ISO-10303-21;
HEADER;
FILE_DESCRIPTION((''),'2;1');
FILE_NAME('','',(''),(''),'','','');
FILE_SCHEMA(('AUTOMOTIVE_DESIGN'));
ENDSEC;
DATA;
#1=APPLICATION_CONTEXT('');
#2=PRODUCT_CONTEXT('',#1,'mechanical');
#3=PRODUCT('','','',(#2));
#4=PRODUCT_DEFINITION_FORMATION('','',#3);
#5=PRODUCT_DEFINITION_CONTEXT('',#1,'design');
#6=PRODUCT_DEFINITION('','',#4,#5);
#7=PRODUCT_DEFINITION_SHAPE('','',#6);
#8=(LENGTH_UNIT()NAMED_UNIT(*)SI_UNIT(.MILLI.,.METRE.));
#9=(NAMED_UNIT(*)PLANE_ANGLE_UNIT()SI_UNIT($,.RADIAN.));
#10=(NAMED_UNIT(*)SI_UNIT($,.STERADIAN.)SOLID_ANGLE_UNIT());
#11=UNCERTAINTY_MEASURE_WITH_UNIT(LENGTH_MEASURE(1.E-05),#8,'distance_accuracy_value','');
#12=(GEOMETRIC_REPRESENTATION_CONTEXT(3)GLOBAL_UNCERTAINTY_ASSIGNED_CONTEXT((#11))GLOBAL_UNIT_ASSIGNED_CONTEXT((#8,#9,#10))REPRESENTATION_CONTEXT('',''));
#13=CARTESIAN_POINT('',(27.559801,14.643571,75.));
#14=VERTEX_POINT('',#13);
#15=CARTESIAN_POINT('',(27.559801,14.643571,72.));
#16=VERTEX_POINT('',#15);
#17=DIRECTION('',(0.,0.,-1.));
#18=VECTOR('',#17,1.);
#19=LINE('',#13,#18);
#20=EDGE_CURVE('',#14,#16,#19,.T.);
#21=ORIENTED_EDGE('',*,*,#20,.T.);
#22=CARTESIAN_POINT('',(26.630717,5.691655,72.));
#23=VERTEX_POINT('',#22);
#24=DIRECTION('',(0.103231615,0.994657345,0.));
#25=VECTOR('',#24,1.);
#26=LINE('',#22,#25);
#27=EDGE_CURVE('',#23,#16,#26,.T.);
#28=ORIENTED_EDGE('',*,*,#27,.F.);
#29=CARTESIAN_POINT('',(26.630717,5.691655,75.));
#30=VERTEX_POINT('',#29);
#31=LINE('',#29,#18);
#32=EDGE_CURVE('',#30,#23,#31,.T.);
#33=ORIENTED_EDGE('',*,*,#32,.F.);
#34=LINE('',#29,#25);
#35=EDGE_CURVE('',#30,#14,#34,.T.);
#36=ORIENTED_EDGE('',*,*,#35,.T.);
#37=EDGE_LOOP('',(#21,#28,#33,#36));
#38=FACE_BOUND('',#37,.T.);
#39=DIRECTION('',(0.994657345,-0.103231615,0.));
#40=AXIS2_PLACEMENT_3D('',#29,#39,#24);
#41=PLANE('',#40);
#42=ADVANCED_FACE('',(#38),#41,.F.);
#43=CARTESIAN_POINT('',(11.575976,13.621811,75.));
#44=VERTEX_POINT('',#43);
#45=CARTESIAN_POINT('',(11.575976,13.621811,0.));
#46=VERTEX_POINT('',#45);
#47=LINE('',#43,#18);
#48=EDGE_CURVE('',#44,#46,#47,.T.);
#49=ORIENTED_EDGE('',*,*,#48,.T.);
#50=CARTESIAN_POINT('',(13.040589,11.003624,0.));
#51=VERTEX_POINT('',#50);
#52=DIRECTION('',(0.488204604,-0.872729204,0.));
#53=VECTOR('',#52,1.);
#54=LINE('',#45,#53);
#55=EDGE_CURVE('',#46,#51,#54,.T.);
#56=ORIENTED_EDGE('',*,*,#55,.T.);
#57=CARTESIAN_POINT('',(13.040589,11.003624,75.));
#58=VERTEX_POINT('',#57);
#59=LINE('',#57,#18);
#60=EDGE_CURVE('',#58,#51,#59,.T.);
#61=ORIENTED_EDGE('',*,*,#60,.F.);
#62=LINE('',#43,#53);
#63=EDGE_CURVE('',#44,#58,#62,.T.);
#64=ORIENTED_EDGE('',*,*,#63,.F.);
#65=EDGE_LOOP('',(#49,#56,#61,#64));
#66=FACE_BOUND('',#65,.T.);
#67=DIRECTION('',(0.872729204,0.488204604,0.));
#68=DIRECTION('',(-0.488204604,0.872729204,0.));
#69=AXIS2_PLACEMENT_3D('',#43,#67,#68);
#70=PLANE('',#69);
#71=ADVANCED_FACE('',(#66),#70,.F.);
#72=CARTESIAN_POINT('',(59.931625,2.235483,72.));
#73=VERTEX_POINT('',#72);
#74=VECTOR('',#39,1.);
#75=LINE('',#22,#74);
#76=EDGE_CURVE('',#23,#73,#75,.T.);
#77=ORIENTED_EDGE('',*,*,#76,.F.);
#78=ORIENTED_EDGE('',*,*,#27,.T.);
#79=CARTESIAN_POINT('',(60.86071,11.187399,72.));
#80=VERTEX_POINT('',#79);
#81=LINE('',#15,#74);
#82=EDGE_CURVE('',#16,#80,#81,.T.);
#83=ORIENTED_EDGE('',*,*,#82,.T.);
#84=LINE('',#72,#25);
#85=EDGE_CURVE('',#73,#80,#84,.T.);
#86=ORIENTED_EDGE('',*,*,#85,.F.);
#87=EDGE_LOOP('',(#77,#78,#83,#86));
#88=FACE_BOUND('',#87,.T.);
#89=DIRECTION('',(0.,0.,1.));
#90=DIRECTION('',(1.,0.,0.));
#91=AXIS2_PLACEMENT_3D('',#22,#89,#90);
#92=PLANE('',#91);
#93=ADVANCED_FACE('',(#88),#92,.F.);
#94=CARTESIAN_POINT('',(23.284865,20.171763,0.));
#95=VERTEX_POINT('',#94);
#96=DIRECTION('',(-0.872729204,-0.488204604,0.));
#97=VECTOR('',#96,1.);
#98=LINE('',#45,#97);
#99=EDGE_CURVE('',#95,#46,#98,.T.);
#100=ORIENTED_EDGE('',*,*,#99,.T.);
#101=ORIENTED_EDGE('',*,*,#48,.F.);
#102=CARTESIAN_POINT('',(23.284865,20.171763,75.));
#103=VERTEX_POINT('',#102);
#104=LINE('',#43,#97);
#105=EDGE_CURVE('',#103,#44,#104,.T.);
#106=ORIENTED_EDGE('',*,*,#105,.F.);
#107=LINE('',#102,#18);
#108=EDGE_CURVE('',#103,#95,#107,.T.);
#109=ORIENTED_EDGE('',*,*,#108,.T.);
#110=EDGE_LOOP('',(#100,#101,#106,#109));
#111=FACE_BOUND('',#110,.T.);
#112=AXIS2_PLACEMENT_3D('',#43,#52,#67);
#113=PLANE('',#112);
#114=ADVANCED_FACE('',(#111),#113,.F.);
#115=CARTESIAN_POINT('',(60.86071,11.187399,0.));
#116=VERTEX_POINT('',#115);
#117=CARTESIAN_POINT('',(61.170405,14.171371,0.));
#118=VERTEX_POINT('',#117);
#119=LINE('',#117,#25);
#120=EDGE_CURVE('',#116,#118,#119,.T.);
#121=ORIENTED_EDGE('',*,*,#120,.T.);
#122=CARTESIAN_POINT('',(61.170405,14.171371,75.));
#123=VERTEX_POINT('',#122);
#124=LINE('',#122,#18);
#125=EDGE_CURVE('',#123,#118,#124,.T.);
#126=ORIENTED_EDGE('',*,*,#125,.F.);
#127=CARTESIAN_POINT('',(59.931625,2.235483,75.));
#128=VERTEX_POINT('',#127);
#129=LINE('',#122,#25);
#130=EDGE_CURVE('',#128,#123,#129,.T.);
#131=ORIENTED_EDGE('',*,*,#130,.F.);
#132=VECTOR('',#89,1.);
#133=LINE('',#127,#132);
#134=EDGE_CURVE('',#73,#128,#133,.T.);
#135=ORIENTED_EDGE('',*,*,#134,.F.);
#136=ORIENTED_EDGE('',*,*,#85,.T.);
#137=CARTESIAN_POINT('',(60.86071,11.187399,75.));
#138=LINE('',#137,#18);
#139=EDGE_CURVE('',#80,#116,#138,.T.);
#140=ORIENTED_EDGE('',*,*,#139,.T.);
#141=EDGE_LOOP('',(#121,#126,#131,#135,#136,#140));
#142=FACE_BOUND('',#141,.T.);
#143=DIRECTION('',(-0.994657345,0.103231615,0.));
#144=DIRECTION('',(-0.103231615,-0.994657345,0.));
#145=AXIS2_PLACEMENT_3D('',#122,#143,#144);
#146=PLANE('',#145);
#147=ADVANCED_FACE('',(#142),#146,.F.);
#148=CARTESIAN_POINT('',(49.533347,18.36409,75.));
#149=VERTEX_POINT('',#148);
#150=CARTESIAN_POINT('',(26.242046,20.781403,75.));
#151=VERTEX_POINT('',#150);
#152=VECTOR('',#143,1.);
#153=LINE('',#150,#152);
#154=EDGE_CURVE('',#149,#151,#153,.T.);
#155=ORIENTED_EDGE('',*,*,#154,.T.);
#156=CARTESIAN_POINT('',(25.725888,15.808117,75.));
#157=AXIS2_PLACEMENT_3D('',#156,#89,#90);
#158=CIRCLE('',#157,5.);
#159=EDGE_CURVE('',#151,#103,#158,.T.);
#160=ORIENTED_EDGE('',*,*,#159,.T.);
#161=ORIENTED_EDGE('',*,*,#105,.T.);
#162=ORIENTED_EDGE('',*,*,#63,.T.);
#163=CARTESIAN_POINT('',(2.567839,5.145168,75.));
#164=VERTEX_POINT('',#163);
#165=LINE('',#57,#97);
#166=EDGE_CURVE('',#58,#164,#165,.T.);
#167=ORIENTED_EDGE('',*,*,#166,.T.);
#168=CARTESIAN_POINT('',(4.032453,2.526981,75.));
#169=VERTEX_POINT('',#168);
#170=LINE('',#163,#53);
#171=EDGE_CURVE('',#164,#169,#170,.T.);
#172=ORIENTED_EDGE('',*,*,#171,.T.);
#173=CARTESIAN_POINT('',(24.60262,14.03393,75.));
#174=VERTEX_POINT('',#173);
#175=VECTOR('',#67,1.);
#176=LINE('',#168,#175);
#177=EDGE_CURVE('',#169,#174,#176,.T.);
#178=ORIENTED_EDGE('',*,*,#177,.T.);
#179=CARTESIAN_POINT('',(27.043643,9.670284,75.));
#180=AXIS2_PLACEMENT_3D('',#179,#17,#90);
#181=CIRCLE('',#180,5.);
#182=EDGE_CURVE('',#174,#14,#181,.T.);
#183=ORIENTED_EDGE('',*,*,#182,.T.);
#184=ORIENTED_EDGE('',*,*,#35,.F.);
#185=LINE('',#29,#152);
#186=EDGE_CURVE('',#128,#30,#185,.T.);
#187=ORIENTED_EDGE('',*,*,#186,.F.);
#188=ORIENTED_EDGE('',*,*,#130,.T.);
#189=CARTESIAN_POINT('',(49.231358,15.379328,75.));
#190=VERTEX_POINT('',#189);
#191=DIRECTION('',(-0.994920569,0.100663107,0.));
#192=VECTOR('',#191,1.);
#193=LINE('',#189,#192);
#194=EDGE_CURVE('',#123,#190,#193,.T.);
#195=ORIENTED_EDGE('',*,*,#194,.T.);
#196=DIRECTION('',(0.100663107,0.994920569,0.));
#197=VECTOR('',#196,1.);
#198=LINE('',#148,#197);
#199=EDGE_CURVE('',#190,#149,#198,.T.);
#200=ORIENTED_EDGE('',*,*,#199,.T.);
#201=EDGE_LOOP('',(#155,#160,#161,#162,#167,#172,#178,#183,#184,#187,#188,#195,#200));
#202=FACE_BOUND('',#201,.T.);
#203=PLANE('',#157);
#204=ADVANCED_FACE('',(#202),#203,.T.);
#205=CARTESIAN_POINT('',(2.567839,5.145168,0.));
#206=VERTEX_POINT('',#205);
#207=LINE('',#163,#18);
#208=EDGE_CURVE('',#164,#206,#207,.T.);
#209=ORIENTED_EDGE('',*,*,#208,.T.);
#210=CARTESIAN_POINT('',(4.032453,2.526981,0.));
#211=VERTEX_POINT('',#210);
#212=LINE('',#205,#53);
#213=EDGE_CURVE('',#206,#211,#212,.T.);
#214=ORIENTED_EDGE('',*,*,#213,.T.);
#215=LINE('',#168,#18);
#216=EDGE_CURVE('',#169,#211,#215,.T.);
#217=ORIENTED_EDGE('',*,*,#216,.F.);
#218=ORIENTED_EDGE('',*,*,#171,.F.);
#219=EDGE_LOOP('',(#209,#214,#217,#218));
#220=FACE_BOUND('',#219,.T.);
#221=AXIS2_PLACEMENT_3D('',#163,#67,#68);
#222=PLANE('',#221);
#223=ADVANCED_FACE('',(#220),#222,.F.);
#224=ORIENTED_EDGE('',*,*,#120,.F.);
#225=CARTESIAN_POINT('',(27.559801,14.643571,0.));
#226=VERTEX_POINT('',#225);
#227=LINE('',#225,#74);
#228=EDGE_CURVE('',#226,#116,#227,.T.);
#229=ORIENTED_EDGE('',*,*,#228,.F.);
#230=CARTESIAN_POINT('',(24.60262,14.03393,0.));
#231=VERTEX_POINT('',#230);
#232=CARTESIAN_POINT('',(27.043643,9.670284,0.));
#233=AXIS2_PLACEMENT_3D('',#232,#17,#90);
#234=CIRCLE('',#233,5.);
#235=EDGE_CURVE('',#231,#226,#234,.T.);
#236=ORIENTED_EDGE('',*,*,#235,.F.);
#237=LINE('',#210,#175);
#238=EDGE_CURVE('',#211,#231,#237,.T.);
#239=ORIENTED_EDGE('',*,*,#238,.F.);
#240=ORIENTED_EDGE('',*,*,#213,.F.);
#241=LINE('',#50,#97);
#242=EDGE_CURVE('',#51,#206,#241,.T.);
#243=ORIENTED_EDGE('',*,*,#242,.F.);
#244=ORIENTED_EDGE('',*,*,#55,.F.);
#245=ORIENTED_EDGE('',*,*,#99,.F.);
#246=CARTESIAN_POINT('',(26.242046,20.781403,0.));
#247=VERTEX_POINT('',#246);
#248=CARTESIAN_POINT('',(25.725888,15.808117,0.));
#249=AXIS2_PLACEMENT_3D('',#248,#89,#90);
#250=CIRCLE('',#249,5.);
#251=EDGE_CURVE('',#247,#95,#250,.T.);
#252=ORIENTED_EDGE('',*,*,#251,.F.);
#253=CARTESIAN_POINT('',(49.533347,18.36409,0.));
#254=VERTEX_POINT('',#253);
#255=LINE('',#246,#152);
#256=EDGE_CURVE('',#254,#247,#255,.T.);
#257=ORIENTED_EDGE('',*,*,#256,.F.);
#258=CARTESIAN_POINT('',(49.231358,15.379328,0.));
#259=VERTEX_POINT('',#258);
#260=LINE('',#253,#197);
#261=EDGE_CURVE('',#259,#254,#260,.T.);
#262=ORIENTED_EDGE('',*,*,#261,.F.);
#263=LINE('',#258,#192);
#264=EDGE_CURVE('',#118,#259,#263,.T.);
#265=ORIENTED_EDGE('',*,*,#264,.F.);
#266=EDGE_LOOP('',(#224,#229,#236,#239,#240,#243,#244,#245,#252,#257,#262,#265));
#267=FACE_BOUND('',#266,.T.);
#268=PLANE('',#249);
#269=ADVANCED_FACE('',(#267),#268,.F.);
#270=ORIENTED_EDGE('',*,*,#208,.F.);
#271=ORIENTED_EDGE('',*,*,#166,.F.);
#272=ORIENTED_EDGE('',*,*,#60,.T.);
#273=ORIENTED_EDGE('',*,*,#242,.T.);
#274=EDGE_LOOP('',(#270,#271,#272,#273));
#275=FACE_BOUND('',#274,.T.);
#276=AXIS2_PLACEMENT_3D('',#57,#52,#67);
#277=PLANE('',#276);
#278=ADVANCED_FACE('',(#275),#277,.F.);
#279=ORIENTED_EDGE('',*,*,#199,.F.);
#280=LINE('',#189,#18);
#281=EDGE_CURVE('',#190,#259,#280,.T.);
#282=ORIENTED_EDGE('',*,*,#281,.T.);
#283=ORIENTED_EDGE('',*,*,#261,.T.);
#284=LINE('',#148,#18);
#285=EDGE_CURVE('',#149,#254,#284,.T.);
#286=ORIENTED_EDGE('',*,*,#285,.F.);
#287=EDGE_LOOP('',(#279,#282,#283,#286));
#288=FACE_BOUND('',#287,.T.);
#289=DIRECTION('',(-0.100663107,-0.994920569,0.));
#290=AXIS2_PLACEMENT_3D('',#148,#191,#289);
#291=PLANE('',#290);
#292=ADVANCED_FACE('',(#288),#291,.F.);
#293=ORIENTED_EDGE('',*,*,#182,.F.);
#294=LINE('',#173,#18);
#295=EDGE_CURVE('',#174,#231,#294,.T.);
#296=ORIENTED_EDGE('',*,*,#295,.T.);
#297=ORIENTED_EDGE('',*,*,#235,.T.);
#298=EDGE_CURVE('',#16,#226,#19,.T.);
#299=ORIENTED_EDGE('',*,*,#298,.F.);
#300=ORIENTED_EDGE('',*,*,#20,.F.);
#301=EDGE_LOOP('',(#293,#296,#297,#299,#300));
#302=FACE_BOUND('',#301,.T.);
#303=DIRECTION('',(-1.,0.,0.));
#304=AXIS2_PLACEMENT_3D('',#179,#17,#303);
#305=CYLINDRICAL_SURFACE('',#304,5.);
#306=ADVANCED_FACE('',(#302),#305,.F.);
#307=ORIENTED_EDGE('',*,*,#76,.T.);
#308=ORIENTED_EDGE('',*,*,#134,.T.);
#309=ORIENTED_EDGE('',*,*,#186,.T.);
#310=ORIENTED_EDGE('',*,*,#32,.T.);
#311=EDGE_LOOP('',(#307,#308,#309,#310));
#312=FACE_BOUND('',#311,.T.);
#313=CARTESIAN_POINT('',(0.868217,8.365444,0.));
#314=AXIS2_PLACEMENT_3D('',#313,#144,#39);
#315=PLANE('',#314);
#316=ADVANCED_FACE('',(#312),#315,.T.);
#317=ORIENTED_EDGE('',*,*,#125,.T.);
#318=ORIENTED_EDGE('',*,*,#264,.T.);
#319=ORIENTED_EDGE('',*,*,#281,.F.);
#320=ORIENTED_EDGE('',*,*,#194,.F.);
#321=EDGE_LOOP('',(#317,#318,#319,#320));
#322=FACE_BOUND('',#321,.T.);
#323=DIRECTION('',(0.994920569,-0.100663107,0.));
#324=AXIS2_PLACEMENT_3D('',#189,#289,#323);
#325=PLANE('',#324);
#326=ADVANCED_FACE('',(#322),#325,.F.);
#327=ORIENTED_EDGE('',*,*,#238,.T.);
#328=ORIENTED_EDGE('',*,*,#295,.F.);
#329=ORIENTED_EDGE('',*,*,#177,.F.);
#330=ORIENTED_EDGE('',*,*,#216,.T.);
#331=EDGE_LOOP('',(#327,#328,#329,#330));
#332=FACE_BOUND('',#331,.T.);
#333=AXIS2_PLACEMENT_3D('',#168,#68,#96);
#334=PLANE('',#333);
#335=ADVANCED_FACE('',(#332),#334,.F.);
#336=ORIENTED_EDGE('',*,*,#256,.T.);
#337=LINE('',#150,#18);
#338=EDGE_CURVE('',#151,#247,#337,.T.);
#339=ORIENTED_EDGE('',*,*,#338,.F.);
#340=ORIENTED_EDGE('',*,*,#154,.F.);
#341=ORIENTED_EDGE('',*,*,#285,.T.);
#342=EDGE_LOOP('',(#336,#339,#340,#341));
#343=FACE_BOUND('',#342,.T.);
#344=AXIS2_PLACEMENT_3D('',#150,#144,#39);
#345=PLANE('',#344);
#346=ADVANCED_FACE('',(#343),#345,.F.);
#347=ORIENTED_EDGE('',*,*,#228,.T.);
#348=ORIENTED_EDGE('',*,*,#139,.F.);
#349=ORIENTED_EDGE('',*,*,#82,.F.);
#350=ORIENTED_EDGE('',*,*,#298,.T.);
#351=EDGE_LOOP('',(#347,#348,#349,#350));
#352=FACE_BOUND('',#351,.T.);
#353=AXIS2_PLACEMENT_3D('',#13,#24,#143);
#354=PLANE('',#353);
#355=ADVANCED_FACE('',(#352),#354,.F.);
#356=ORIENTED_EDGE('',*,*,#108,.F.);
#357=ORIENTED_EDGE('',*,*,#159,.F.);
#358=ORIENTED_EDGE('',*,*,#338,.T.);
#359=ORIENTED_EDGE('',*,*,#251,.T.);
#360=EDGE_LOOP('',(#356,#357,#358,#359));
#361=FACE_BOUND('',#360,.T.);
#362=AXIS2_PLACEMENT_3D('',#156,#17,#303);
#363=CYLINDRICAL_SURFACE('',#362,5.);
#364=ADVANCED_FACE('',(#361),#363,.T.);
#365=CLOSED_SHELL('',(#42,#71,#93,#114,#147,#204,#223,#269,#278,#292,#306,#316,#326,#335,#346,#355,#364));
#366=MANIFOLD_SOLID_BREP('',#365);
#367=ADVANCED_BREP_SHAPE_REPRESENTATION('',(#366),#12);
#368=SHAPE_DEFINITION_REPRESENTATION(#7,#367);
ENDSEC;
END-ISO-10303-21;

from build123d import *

# Parameters (mm, degrees)
BOSS_EXTRUDE1_DEPTH = 75
SKETCH2_W           = 33.479779341
SKETCH2_H           = 3
BOSS_EXTRUDE2_DEPTH = 9


with BuildPart() as part:
    # Sketch1 → Boss-Extrude1 (new body)
    with BuildSketch(Plane.XY):
        with BuildLine():
            Line((11.575975539, 13.62181128), (13.040589352, 11.003623667))
            Line((13.040589352, 11.003623667), (2.567838899, 5.145168413))
            Line((2.567838899, 5.145168413), (4.032452713, 2.5269808))
            Line((4.032452713, 2.5269808), (24.602620365, 14.033929934))
            ThreePointArc((24.602620365, 14.033929934), (26.034093135, 14.56730426), (27.559801463, 14.643570636))
            Line((27.559801463, 14.643570636), (60.860709888, 11.187398941))
            Line((60.860709888, 11.187398941), (61.170404733, 14.171370975))
            Line((61.170404733, 14.171370975), (49.231357904, 15.379328261))
            Line((49.231357904, 15.379328261), (49.533347225, 18.364089968))
            Line((49.533347225, 18.364089968), (26.242046455, 20.781403438))
            ThreePointArc((26.242046455, 20.781403438), (24.716338127, 20.705137062), (23.284865357, 20.171762736))
            Line((23.284865357, 20.171762736), (11.575975539, 13.62181128))
        make_face()
    extrude(amount=BOSS_EXTRUDE1_DEPTH)

    # Sketch2 → Boss-Extrude2 (add)
    with BuildSketch(Plane(origin=(1.797301431, 17.317360261, 0), x_dir=(0.9946573448357569, -0.10323161513936713, 0), z_dir=(-0.10323161513936711, -0.9946573448357567, 0))):
        with Locations((42.64076917, 73.5)):
            Rectangle(SKETCH2_W, SKETCH2_H)
    extrude(amount=BOSS_EXTRUDE2_DEPTH)


solid = part.part
